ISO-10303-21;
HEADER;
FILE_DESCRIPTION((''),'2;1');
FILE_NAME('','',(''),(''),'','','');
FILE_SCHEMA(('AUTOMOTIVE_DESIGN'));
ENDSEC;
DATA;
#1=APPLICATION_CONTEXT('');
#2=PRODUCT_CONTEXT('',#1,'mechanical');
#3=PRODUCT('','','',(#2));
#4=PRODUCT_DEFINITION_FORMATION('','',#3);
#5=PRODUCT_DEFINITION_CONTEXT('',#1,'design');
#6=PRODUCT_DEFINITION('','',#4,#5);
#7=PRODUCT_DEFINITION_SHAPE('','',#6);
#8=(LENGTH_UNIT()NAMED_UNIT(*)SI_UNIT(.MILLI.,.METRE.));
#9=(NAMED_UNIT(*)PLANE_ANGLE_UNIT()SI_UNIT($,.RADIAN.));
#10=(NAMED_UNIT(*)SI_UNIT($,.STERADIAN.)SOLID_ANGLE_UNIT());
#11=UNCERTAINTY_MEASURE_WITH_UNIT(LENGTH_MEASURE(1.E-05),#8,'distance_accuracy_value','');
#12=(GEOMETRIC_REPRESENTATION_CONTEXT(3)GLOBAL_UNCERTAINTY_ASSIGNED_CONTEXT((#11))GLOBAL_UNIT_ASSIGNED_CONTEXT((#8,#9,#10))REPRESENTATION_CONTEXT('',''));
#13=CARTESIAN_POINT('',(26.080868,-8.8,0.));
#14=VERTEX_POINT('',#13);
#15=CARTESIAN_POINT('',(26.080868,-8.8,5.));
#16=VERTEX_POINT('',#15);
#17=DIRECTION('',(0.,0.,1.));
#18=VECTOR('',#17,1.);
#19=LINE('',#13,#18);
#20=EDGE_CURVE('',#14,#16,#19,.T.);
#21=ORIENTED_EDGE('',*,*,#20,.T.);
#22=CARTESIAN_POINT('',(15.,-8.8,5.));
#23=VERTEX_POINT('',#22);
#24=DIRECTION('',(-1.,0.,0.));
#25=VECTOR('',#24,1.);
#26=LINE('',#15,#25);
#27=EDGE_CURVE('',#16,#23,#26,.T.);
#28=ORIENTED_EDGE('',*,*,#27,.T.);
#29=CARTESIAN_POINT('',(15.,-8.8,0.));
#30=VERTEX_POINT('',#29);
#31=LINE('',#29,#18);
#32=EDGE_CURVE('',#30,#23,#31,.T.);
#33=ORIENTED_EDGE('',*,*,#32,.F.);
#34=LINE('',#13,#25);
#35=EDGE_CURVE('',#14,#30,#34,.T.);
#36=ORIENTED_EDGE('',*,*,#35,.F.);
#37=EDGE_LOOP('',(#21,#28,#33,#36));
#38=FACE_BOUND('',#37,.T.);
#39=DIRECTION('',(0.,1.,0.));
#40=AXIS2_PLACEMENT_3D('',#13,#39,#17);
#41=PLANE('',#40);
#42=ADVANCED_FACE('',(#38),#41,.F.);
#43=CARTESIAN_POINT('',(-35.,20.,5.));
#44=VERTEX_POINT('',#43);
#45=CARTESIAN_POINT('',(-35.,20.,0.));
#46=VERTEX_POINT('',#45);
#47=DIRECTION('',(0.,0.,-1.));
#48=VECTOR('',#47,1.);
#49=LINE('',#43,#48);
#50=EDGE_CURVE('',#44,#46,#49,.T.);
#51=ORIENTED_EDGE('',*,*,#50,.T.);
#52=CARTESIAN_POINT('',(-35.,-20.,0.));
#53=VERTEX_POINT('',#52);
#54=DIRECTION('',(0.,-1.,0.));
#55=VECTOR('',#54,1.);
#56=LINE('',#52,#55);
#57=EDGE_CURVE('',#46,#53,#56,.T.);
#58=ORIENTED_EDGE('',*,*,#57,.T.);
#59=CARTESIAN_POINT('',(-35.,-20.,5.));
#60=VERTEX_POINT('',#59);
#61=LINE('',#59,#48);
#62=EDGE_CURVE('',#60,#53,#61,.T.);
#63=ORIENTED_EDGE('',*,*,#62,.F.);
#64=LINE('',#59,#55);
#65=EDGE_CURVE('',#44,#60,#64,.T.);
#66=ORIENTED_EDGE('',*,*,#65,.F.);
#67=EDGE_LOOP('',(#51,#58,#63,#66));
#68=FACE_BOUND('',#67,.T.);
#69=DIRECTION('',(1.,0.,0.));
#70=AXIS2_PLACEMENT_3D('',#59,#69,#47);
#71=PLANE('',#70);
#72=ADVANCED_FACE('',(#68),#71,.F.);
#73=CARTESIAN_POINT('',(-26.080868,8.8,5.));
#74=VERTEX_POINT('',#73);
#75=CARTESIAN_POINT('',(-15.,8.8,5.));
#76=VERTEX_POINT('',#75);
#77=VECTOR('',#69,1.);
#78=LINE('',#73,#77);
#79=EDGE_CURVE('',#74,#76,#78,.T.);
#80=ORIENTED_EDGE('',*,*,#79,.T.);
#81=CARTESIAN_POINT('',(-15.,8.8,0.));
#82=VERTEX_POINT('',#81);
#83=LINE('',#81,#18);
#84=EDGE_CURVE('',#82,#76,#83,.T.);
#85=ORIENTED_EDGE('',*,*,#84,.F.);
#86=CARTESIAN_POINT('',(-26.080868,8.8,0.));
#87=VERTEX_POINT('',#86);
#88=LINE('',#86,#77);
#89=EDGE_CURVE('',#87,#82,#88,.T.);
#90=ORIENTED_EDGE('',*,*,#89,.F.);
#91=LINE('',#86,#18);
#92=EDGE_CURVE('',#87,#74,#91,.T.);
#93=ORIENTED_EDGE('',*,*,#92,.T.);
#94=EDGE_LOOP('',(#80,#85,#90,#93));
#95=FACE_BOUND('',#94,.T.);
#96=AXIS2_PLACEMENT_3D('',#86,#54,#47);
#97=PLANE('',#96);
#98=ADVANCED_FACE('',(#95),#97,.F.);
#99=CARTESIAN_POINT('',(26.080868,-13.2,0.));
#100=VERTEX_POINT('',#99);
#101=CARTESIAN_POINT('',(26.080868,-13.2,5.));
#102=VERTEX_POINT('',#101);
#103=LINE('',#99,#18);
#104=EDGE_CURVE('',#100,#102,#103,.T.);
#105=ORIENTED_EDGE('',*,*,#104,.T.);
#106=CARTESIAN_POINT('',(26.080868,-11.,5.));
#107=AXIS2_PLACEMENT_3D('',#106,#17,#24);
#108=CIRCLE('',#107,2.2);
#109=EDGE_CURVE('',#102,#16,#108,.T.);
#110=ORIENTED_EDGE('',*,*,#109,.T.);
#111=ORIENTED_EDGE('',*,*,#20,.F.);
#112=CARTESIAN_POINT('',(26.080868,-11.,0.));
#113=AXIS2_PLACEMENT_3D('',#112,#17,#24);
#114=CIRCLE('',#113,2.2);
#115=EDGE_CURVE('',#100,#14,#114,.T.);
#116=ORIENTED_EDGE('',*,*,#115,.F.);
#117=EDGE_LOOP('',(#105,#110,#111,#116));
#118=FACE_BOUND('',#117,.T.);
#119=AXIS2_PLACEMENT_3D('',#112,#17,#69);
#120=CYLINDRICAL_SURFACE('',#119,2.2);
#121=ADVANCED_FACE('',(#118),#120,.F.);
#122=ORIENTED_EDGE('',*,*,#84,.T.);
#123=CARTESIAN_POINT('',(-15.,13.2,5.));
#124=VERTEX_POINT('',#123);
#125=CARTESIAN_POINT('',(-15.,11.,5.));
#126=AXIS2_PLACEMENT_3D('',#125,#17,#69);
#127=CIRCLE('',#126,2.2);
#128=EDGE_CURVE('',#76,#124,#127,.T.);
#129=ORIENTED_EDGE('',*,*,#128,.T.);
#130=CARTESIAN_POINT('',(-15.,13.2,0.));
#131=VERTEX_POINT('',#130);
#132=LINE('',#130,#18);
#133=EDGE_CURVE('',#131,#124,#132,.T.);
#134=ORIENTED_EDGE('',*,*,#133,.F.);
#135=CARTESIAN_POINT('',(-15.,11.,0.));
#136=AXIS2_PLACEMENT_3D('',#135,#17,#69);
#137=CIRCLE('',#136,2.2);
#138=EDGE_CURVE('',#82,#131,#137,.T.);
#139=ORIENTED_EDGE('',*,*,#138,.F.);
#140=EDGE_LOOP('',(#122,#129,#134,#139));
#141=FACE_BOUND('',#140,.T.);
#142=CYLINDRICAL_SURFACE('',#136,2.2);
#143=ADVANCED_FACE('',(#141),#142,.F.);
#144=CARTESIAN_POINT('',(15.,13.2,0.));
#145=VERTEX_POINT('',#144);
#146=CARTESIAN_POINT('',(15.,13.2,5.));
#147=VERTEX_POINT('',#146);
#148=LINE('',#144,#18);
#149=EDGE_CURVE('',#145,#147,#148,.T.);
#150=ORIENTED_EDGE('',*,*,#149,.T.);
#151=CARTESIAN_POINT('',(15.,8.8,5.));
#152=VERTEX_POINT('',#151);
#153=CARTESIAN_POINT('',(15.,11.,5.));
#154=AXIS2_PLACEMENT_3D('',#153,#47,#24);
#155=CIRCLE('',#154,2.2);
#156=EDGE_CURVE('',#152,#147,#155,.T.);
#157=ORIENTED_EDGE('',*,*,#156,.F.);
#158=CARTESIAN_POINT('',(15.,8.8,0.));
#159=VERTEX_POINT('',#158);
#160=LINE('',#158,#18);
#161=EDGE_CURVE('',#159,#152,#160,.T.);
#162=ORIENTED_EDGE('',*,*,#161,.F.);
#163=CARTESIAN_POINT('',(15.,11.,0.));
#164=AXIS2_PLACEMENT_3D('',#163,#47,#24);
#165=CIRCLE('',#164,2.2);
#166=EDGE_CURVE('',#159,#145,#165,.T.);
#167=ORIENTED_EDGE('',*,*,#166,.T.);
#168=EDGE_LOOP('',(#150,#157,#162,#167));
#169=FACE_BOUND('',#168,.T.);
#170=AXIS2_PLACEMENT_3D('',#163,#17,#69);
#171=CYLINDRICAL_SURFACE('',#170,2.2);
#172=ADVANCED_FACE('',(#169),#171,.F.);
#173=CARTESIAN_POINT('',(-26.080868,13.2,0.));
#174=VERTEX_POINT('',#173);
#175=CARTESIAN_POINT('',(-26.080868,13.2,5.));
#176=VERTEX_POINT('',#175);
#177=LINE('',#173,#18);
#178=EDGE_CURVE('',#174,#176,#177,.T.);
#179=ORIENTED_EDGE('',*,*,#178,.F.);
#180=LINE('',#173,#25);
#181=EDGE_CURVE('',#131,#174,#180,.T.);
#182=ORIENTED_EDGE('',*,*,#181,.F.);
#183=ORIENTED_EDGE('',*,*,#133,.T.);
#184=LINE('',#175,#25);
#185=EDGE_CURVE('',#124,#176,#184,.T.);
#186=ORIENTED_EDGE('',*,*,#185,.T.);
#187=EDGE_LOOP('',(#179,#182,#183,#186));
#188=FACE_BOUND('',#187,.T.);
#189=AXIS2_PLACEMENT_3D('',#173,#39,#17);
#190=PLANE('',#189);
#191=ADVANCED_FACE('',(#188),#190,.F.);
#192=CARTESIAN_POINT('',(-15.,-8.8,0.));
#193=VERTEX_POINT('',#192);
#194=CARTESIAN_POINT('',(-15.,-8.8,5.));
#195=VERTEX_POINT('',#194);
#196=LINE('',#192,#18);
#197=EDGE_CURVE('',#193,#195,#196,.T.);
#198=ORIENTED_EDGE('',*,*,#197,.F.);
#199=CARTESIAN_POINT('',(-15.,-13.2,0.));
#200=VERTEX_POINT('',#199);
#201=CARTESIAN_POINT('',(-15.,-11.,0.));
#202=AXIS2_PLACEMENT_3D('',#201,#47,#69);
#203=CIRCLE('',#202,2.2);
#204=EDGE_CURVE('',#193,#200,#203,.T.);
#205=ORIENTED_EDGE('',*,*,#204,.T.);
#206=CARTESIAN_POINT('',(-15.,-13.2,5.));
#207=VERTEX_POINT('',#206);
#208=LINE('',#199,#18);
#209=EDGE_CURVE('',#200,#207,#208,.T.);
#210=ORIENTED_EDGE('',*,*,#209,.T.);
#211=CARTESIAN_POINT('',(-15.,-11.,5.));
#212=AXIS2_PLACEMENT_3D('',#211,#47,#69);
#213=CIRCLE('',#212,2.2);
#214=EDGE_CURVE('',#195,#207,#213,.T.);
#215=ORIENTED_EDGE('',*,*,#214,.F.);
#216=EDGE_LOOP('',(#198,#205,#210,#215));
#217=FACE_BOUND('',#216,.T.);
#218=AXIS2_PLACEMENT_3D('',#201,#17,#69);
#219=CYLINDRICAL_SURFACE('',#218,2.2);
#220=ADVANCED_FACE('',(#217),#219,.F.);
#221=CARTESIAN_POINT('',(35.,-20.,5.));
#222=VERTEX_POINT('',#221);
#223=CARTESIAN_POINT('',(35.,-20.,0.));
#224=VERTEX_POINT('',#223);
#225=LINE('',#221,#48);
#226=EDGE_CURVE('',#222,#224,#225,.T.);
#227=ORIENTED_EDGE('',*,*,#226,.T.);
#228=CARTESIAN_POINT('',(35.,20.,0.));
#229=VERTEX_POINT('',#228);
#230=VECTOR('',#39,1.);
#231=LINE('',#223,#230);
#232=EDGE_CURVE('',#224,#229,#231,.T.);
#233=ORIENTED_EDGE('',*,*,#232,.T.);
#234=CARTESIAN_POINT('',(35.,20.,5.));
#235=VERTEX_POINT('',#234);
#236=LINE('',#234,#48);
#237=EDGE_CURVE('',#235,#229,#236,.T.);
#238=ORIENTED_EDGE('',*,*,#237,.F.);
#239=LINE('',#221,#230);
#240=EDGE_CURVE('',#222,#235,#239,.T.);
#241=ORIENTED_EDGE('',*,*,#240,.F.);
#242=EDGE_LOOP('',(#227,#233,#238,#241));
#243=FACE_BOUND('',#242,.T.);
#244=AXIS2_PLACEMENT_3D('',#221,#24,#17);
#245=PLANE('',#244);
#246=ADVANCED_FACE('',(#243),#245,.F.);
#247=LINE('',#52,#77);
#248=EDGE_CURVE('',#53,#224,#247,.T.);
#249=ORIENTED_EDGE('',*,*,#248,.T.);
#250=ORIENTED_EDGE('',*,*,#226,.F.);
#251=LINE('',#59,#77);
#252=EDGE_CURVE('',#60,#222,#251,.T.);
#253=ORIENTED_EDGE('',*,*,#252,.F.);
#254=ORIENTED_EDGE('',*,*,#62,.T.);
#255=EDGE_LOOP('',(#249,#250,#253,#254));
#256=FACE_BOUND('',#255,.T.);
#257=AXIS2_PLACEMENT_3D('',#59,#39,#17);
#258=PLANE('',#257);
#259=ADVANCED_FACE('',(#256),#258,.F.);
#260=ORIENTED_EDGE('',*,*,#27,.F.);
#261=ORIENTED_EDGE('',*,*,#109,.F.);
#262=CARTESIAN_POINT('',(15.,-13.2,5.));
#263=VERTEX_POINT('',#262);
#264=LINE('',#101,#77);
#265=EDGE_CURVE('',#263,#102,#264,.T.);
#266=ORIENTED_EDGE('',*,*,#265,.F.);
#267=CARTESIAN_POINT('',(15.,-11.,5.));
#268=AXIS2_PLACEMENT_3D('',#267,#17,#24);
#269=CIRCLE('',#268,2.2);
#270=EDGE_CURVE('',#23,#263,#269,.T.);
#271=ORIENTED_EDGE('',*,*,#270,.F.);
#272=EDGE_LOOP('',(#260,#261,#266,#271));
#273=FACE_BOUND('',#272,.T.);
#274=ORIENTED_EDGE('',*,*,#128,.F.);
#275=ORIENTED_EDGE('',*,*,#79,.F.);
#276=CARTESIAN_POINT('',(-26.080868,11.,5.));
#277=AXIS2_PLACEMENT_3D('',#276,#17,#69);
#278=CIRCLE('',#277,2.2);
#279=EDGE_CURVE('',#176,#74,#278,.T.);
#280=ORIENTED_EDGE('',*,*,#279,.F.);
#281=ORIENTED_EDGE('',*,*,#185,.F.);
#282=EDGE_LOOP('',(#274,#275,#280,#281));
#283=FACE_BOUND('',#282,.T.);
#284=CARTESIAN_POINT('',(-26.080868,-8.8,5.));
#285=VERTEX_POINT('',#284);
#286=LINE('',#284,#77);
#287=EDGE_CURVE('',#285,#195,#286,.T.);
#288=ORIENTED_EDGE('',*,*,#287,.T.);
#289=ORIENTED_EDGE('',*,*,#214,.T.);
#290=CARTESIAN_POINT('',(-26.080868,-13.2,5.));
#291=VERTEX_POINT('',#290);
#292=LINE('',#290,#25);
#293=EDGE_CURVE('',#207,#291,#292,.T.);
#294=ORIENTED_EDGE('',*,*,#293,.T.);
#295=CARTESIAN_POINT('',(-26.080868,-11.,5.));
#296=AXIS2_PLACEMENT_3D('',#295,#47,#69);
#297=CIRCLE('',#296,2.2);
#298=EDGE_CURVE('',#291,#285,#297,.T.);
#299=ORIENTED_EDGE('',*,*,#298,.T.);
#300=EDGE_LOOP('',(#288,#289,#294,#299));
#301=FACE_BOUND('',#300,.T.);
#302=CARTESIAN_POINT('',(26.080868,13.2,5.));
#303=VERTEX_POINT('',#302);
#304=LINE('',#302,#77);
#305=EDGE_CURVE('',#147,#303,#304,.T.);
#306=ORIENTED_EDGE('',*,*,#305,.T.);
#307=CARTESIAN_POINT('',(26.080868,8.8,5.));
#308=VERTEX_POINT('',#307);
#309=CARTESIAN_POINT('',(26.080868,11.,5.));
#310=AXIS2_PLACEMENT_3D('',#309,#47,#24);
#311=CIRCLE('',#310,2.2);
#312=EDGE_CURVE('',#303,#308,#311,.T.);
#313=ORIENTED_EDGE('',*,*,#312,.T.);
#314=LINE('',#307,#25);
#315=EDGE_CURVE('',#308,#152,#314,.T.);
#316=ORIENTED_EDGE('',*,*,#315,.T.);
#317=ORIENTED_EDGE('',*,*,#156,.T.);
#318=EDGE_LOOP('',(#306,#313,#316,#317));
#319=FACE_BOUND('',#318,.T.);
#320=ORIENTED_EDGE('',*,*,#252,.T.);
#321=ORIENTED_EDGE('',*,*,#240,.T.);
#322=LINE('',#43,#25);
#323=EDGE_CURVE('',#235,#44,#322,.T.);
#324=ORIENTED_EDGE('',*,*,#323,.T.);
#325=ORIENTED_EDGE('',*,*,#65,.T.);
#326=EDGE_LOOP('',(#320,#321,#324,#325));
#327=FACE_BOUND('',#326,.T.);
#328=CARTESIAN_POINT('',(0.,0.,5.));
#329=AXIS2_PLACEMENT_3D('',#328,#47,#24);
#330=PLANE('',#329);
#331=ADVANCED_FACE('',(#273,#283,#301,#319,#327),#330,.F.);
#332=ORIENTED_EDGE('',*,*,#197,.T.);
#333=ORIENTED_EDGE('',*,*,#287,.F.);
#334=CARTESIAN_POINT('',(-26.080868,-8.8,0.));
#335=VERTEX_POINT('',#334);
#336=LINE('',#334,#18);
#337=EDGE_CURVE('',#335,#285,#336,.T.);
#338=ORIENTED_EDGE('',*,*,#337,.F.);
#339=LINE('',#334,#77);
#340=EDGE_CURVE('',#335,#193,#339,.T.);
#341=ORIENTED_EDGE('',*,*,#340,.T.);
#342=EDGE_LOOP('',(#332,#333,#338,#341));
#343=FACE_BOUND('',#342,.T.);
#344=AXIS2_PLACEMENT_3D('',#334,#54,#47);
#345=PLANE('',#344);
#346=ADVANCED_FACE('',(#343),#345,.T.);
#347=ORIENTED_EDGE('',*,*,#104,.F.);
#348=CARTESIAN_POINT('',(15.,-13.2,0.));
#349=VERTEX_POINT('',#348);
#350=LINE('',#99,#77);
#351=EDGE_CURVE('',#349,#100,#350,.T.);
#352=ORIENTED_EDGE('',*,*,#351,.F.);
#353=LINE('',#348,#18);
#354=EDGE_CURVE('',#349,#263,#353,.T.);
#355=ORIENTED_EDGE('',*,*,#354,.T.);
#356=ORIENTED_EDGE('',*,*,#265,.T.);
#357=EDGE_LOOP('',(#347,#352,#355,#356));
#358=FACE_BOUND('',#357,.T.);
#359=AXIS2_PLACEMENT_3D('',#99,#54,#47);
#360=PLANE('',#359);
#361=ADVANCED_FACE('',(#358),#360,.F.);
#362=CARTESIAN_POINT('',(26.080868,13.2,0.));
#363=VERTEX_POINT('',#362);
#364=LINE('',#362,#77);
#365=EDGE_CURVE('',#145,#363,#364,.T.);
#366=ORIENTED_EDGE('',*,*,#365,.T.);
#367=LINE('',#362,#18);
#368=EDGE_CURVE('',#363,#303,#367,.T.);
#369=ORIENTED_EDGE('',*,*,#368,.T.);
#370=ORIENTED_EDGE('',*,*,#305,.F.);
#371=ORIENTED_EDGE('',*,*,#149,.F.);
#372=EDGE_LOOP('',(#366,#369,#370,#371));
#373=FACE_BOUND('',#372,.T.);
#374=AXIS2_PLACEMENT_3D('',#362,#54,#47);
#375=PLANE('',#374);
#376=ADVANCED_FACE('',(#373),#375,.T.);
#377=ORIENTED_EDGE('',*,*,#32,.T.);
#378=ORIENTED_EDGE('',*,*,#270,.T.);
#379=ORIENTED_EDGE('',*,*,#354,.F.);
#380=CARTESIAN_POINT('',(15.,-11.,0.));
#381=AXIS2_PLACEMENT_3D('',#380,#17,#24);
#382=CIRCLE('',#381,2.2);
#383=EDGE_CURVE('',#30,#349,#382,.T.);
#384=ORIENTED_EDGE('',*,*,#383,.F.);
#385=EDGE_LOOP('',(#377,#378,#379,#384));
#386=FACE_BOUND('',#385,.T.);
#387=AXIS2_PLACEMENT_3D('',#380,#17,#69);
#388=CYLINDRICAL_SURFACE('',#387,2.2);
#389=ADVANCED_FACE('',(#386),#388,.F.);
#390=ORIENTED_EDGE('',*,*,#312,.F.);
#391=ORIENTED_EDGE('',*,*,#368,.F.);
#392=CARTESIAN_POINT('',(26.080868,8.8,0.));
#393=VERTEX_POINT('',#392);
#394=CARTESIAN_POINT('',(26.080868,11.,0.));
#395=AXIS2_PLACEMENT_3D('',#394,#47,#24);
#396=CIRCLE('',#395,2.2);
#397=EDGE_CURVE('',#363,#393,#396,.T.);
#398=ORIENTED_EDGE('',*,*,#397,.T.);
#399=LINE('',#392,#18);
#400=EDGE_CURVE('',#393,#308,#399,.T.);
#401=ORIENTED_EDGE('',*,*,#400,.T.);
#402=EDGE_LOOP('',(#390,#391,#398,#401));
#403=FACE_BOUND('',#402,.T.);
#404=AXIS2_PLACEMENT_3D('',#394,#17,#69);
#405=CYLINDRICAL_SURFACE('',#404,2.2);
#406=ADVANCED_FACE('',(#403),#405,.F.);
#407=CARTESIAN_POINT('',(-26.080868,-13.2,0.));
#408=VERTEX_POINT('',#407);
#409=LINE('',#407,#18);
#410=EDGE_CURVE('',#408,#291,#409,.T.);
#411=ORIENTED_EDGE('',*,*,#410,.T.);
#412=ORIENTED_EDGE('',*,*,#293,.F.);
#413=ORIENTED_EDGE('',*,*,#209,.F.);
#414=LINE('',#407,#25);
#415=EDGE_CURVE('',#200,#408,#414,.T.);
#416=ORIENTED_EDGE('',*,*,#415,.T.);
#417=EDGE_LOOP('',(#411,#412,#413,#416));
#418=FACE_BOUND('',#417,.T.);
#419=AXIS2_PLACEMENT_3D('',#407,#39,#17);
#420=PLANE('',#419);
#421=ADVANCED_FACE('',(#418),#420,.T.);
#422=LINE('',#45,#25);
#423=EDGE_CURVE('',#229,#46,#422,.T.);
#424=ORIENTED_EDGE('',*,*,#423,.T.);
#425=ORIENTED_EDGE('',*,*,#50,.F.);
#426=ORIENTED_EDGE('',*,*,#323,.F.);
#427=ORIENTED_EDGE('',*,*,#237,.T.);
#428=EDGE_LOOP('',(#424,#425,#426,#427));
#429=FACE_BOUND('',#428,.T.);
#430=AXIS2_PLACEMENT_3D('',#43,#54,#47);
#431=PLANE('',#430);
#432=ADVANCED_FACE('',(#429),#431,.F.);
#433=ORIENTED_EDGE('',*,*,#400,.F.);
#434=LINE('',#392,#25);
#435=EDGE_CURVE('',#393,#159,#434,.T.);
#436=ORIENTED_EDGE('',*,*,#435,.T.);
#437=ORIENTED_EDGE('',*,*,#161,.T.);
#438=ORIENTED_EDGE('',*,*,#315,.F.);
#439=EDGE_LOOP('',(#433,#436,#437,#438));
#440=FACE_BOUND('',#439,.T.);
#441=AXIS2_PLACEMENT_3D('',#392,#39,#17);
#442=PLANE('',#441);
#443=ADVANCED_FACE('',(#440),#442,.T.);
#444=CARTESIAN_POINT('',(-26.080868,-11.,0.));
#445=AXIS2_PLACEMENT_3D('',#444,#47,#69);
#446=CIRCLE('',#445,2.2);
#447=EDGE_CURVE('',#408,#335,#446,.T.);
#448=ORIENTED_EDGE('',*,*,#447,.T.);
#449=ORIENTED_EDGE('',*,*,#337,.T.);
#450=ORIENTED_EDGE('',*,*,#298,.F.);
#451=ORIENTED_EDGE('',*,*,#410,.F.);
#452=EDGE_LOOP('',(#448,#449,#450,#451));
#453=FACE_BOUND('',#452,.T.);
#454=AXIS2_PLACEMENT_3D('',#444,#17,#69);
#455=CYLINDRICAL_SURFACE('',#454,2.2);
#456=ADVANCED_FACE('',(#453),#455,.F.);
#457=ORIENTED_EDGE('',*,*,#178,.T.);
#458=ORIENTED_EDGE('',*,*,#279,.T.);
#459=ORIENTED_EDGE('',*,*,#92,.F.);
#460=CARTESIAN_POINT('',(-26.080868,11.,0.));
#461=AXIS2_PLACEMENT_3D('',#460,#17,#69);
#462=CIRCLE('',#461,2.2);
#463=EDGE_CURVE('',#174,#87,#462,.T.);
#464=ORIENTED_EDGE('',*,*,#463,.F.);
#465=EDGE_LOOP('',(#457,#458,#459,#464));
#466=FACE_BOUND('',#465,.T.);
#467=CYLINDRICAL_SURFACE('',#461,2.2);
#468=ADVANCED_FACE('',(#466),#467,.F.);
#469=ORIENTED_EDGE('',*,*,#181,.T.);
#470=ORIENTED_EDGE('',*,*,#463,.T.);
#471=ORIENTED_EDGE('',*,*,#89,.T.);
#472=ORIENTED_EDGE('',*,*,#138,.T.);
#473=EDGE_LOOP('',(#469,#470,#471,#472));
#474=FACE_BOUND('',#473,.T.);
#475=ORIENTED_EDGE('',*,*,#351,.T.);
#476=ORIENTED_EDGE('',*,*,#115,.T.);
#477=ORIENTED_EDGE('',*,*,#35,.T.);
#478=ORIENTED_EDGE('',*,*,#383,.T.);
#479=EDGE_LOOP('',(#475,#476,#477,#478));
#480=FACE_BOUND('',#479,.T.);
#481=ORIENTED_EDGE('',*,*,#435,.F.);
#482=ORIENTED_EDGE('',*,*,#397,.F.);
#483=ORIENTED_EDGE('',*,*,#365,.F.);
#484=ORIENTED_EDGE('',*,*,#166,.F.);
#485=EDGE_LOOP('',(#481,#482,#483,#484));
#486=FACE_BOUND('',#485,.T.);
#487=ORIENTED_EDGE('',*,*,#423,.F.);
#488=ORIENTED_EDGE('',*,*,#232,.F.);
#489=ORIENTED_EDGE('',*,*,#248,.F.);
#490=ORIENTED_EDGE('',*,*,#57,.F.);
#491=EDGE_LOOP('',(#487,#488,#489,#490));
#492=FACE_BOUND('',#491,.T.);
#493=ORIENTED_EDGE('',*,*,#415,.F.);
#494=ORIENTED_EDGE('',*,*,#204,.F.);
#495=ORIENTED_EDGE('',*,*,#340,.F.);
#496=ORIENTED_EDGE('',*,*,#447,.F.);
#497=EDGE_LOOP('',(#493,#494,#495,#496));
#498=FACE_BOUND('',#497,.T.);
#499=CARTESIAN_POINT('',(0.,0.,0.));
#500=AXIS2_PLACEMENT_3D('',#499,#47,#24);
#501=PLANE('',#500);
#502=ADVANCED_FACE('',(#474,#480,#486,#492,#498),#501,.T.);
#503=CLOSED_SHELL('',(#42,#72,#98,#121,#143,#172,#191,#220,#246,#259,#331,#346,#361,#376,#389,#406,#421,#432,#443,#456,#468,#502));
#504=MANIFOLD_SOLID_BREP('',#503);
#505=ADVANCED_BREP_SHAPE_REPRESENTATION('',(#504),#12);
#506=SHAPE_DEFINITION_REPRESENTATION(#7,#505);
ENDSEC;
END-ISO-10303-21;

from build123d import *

# Parameters (mm, degrees)
SKETCH1_W            = 70
SKETCH1_H            = 40
BOSS_EXTRUDE1_DEPTH  = 5
CUT_EXTRUDE1_DEPTH   = 41.620192023
MIRROR3_COPY_1_DEPTH = 41.620192023
MIRROR3_COPY_2_DEPTH = 41.620192023


with BuildPart() as part:
    # Sketch1 → Boss-Extrude1 (new body)
    with BuildSketch(Plane.XY):
        Rectangle(SKETCH1_W, SKETCH1_H)
    extrude(amount=BOSS_EXTRUDE1_DEPTH)

    # Sketch3 → Cut-Extrude1 (cut, through all)
    with BuildSketch(Plane.XY.offset(5)):
        with BuildLine():
            Line((-26.080867749, 13.2), (-15, 13.2))
            ThreePointArc((-15, 13.2), (-12.8, 11), (-15, 8.8))
            Line((-15, 8.8), (-26.080867749, 8.8))
            ThreePointArc((-26.080867749, 8.8), (-28.280867749, 11), (-26.080867749, 13.2))
        make_face()
    cut_extrude1 = extrude(amount=-CUT_EXTRUDE1_DEPTH, mode=Mode.SUBTRACT)

    # Mirror2: Cut-Extrude1 across plane
    add(cut_extrude1.mirror(Plane(origin=(0, 0, 0), x_dir=(0, 0, 1), z_dir=(1, 0, 0))), mode=Mode.SUBTRACT)

    # Mirror3 copy 1 sketch → Mirror3 copy 1 (cut, through all)
    with BuildSketch(Plane(origin=(0, 0, 5), x_dir=(-1, 0, 0), z_dir=(0, 0, 1))):
        with BuildLine():
            Line((-26.080867749, 13.2), (-15, 13.2))
            ThreePointArc((-15, 13.2), (-12.8, 11), (-15, 8.8))
            Line((-15, 8.8), (-26.080867749, 8.8))
            ThreePointArc((-26.080867749, 8.8), (-28.280867749, 11), (-26.080867749, 13.2))
        make_face()
    extrude(amount=-MIRROR3_COPY_1_DEPTH, mode=Mode.SUBTRACT)

    # Mirror3 copy 2 sketch → Mirror3 copy 2 (cut, through all)
    with BuildSketch(Plane.XY.offset(5)):
        with BuildLine():
            Line((-26.080867749, -13.2), (-15, -13.2))
            ThreePointArc((-15, -13.2), (-12.8, -11), (-15, -8.8))
            Line((-15, -8.8), (-26.080867749, -8.8))
            ThreePointArc((-26.080867749, -8.8), (-28.280867749, -11), (-26.080867749, -13.2))
        make_face()
    extrude(amount=-MIRROR3_COPY_2_DEPTH, mode=Mode.SUBTRACT)


solid = part.part
